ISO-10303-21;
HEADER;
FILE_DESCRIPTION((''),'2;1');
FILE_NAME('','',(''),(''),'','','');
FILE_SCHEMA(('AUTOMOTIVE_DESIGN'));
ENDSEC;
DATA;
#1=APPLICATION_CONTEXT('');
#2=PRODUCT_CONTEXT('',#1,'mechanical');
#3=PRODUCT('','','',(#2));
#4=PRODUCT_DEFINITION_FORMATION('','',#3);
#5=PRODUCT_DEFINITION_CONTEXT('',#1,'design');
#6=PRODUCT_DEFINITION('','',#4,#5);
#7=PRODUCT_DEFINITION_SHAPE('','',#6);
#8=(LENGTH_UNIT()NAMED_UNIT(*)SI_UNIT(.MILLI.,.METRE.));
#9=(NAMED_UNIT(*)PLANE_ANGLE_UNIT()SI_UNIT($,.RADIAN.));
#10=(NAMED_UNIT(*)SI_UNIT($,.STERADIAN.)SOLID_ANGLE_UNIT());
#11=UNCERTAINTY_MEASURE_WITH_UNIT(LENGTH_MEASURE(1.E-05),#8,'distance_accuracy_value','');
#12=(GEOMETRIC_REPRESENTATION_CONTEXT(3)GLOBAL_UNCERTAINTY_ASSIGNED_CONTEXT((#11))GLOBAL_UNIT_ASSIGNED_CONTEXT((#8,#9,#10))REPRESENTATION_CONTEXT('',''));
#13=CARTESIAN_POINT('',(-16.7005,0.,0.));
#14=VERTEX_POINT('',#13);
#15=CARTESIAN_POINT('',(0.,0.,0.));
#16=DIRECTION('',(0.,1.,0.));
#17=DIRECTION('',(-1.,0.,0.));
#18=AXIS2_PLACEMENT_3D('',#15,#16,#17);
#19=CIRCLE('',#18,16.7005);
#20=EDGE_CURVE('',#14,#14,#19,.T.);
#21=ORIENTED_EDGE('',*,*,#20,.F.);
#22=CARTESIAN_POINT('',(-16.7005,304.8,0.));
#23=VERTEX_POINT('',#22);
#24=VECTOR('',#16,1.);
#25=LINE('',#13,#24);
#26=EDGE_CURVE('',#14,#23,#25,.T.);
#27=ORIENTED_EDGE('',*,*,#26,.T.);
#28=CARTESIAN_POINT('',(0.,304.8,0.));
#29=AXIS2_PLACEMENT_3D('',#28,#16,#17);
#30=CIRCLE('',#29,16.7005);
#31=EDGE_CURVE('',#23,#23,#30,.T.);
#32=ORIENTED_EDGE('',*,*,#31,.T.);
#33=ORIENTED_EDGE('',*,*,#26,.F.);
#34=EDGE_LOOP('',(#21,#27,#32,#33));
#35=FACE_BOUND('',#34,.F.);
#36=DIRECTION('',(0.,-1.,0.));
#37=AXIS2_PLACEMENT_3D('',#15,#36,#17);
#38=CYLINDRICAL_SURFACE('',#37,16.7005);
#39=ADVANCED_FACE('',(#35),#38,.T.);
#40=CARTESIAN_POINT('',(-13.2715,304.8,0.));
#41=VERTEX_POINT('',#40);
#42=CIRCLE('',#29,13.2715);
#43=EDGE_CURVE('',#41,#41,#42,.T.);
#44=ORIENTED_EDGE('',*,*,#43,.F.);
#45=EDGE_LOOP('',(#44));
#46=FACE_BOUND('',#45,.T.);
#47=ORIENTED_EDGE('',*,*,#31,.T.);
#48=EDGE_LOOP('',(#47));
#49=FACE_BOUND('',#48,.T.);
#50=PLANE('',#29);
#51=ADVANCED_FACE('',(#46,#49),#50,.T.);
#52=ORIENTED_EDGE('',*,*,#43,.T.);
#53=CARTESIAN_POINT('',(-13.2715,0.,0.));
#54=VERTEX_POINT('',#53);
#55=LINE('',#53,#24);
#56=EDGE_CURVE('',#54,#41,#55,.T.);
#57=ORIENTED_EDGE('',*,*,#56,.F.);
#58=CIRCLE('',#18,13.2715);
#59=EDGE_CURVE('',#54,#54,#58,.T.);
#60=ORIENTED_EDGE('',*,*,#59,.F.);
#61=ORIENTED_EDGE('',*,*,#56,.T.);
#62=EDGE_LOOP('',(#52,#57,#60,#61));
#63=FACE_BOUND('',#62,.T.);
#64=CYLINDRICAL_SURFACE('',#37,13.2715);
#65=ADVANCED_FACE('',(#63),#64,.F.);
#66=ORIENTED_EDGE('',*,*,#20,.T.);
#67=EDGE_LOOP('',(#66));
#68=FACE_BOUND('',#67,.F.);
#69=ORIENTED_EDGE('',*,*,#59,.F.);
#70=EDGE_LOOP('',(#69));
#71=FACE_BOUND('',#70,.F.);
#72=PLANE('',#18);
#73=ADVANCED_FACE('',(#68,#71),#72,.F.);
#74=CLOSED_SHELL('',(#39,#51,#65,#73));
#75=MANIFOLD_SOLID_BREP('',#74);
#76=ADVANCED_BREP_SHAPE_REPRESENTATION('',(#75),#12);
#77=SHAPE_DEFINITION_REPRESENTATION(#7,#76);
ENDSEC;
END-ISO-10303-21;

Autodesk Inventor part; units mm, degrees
ref_plane "YZ Plane" through (0, 0, 0) normal (1, 0, 0) x (0, 1, 0)
ref_plane "XZ Plane" through (0, 0, 0) normal (0, 1, 0) x (-1, 0, 0)
ref_plane "XY Plane" through (0, 0, 0) normal (0, 0, 1) x (1, 0, 0)
sketch "Sketch1" plane through (0, 0, 0) normal (0, 1, 0) x (-1, 0, 0)
  circle A0 centre (0, 0) radius 13.2715
  circle A1 centre (0, 0) radius 16.7005
  dimension "d0" = 26.543
  dimension "d1" = 33.401
extrude "Extrusion1" add sketch "Sketch1" along normal blind 304.8
properties part number "pvc pipe 1in 1ft 1"
